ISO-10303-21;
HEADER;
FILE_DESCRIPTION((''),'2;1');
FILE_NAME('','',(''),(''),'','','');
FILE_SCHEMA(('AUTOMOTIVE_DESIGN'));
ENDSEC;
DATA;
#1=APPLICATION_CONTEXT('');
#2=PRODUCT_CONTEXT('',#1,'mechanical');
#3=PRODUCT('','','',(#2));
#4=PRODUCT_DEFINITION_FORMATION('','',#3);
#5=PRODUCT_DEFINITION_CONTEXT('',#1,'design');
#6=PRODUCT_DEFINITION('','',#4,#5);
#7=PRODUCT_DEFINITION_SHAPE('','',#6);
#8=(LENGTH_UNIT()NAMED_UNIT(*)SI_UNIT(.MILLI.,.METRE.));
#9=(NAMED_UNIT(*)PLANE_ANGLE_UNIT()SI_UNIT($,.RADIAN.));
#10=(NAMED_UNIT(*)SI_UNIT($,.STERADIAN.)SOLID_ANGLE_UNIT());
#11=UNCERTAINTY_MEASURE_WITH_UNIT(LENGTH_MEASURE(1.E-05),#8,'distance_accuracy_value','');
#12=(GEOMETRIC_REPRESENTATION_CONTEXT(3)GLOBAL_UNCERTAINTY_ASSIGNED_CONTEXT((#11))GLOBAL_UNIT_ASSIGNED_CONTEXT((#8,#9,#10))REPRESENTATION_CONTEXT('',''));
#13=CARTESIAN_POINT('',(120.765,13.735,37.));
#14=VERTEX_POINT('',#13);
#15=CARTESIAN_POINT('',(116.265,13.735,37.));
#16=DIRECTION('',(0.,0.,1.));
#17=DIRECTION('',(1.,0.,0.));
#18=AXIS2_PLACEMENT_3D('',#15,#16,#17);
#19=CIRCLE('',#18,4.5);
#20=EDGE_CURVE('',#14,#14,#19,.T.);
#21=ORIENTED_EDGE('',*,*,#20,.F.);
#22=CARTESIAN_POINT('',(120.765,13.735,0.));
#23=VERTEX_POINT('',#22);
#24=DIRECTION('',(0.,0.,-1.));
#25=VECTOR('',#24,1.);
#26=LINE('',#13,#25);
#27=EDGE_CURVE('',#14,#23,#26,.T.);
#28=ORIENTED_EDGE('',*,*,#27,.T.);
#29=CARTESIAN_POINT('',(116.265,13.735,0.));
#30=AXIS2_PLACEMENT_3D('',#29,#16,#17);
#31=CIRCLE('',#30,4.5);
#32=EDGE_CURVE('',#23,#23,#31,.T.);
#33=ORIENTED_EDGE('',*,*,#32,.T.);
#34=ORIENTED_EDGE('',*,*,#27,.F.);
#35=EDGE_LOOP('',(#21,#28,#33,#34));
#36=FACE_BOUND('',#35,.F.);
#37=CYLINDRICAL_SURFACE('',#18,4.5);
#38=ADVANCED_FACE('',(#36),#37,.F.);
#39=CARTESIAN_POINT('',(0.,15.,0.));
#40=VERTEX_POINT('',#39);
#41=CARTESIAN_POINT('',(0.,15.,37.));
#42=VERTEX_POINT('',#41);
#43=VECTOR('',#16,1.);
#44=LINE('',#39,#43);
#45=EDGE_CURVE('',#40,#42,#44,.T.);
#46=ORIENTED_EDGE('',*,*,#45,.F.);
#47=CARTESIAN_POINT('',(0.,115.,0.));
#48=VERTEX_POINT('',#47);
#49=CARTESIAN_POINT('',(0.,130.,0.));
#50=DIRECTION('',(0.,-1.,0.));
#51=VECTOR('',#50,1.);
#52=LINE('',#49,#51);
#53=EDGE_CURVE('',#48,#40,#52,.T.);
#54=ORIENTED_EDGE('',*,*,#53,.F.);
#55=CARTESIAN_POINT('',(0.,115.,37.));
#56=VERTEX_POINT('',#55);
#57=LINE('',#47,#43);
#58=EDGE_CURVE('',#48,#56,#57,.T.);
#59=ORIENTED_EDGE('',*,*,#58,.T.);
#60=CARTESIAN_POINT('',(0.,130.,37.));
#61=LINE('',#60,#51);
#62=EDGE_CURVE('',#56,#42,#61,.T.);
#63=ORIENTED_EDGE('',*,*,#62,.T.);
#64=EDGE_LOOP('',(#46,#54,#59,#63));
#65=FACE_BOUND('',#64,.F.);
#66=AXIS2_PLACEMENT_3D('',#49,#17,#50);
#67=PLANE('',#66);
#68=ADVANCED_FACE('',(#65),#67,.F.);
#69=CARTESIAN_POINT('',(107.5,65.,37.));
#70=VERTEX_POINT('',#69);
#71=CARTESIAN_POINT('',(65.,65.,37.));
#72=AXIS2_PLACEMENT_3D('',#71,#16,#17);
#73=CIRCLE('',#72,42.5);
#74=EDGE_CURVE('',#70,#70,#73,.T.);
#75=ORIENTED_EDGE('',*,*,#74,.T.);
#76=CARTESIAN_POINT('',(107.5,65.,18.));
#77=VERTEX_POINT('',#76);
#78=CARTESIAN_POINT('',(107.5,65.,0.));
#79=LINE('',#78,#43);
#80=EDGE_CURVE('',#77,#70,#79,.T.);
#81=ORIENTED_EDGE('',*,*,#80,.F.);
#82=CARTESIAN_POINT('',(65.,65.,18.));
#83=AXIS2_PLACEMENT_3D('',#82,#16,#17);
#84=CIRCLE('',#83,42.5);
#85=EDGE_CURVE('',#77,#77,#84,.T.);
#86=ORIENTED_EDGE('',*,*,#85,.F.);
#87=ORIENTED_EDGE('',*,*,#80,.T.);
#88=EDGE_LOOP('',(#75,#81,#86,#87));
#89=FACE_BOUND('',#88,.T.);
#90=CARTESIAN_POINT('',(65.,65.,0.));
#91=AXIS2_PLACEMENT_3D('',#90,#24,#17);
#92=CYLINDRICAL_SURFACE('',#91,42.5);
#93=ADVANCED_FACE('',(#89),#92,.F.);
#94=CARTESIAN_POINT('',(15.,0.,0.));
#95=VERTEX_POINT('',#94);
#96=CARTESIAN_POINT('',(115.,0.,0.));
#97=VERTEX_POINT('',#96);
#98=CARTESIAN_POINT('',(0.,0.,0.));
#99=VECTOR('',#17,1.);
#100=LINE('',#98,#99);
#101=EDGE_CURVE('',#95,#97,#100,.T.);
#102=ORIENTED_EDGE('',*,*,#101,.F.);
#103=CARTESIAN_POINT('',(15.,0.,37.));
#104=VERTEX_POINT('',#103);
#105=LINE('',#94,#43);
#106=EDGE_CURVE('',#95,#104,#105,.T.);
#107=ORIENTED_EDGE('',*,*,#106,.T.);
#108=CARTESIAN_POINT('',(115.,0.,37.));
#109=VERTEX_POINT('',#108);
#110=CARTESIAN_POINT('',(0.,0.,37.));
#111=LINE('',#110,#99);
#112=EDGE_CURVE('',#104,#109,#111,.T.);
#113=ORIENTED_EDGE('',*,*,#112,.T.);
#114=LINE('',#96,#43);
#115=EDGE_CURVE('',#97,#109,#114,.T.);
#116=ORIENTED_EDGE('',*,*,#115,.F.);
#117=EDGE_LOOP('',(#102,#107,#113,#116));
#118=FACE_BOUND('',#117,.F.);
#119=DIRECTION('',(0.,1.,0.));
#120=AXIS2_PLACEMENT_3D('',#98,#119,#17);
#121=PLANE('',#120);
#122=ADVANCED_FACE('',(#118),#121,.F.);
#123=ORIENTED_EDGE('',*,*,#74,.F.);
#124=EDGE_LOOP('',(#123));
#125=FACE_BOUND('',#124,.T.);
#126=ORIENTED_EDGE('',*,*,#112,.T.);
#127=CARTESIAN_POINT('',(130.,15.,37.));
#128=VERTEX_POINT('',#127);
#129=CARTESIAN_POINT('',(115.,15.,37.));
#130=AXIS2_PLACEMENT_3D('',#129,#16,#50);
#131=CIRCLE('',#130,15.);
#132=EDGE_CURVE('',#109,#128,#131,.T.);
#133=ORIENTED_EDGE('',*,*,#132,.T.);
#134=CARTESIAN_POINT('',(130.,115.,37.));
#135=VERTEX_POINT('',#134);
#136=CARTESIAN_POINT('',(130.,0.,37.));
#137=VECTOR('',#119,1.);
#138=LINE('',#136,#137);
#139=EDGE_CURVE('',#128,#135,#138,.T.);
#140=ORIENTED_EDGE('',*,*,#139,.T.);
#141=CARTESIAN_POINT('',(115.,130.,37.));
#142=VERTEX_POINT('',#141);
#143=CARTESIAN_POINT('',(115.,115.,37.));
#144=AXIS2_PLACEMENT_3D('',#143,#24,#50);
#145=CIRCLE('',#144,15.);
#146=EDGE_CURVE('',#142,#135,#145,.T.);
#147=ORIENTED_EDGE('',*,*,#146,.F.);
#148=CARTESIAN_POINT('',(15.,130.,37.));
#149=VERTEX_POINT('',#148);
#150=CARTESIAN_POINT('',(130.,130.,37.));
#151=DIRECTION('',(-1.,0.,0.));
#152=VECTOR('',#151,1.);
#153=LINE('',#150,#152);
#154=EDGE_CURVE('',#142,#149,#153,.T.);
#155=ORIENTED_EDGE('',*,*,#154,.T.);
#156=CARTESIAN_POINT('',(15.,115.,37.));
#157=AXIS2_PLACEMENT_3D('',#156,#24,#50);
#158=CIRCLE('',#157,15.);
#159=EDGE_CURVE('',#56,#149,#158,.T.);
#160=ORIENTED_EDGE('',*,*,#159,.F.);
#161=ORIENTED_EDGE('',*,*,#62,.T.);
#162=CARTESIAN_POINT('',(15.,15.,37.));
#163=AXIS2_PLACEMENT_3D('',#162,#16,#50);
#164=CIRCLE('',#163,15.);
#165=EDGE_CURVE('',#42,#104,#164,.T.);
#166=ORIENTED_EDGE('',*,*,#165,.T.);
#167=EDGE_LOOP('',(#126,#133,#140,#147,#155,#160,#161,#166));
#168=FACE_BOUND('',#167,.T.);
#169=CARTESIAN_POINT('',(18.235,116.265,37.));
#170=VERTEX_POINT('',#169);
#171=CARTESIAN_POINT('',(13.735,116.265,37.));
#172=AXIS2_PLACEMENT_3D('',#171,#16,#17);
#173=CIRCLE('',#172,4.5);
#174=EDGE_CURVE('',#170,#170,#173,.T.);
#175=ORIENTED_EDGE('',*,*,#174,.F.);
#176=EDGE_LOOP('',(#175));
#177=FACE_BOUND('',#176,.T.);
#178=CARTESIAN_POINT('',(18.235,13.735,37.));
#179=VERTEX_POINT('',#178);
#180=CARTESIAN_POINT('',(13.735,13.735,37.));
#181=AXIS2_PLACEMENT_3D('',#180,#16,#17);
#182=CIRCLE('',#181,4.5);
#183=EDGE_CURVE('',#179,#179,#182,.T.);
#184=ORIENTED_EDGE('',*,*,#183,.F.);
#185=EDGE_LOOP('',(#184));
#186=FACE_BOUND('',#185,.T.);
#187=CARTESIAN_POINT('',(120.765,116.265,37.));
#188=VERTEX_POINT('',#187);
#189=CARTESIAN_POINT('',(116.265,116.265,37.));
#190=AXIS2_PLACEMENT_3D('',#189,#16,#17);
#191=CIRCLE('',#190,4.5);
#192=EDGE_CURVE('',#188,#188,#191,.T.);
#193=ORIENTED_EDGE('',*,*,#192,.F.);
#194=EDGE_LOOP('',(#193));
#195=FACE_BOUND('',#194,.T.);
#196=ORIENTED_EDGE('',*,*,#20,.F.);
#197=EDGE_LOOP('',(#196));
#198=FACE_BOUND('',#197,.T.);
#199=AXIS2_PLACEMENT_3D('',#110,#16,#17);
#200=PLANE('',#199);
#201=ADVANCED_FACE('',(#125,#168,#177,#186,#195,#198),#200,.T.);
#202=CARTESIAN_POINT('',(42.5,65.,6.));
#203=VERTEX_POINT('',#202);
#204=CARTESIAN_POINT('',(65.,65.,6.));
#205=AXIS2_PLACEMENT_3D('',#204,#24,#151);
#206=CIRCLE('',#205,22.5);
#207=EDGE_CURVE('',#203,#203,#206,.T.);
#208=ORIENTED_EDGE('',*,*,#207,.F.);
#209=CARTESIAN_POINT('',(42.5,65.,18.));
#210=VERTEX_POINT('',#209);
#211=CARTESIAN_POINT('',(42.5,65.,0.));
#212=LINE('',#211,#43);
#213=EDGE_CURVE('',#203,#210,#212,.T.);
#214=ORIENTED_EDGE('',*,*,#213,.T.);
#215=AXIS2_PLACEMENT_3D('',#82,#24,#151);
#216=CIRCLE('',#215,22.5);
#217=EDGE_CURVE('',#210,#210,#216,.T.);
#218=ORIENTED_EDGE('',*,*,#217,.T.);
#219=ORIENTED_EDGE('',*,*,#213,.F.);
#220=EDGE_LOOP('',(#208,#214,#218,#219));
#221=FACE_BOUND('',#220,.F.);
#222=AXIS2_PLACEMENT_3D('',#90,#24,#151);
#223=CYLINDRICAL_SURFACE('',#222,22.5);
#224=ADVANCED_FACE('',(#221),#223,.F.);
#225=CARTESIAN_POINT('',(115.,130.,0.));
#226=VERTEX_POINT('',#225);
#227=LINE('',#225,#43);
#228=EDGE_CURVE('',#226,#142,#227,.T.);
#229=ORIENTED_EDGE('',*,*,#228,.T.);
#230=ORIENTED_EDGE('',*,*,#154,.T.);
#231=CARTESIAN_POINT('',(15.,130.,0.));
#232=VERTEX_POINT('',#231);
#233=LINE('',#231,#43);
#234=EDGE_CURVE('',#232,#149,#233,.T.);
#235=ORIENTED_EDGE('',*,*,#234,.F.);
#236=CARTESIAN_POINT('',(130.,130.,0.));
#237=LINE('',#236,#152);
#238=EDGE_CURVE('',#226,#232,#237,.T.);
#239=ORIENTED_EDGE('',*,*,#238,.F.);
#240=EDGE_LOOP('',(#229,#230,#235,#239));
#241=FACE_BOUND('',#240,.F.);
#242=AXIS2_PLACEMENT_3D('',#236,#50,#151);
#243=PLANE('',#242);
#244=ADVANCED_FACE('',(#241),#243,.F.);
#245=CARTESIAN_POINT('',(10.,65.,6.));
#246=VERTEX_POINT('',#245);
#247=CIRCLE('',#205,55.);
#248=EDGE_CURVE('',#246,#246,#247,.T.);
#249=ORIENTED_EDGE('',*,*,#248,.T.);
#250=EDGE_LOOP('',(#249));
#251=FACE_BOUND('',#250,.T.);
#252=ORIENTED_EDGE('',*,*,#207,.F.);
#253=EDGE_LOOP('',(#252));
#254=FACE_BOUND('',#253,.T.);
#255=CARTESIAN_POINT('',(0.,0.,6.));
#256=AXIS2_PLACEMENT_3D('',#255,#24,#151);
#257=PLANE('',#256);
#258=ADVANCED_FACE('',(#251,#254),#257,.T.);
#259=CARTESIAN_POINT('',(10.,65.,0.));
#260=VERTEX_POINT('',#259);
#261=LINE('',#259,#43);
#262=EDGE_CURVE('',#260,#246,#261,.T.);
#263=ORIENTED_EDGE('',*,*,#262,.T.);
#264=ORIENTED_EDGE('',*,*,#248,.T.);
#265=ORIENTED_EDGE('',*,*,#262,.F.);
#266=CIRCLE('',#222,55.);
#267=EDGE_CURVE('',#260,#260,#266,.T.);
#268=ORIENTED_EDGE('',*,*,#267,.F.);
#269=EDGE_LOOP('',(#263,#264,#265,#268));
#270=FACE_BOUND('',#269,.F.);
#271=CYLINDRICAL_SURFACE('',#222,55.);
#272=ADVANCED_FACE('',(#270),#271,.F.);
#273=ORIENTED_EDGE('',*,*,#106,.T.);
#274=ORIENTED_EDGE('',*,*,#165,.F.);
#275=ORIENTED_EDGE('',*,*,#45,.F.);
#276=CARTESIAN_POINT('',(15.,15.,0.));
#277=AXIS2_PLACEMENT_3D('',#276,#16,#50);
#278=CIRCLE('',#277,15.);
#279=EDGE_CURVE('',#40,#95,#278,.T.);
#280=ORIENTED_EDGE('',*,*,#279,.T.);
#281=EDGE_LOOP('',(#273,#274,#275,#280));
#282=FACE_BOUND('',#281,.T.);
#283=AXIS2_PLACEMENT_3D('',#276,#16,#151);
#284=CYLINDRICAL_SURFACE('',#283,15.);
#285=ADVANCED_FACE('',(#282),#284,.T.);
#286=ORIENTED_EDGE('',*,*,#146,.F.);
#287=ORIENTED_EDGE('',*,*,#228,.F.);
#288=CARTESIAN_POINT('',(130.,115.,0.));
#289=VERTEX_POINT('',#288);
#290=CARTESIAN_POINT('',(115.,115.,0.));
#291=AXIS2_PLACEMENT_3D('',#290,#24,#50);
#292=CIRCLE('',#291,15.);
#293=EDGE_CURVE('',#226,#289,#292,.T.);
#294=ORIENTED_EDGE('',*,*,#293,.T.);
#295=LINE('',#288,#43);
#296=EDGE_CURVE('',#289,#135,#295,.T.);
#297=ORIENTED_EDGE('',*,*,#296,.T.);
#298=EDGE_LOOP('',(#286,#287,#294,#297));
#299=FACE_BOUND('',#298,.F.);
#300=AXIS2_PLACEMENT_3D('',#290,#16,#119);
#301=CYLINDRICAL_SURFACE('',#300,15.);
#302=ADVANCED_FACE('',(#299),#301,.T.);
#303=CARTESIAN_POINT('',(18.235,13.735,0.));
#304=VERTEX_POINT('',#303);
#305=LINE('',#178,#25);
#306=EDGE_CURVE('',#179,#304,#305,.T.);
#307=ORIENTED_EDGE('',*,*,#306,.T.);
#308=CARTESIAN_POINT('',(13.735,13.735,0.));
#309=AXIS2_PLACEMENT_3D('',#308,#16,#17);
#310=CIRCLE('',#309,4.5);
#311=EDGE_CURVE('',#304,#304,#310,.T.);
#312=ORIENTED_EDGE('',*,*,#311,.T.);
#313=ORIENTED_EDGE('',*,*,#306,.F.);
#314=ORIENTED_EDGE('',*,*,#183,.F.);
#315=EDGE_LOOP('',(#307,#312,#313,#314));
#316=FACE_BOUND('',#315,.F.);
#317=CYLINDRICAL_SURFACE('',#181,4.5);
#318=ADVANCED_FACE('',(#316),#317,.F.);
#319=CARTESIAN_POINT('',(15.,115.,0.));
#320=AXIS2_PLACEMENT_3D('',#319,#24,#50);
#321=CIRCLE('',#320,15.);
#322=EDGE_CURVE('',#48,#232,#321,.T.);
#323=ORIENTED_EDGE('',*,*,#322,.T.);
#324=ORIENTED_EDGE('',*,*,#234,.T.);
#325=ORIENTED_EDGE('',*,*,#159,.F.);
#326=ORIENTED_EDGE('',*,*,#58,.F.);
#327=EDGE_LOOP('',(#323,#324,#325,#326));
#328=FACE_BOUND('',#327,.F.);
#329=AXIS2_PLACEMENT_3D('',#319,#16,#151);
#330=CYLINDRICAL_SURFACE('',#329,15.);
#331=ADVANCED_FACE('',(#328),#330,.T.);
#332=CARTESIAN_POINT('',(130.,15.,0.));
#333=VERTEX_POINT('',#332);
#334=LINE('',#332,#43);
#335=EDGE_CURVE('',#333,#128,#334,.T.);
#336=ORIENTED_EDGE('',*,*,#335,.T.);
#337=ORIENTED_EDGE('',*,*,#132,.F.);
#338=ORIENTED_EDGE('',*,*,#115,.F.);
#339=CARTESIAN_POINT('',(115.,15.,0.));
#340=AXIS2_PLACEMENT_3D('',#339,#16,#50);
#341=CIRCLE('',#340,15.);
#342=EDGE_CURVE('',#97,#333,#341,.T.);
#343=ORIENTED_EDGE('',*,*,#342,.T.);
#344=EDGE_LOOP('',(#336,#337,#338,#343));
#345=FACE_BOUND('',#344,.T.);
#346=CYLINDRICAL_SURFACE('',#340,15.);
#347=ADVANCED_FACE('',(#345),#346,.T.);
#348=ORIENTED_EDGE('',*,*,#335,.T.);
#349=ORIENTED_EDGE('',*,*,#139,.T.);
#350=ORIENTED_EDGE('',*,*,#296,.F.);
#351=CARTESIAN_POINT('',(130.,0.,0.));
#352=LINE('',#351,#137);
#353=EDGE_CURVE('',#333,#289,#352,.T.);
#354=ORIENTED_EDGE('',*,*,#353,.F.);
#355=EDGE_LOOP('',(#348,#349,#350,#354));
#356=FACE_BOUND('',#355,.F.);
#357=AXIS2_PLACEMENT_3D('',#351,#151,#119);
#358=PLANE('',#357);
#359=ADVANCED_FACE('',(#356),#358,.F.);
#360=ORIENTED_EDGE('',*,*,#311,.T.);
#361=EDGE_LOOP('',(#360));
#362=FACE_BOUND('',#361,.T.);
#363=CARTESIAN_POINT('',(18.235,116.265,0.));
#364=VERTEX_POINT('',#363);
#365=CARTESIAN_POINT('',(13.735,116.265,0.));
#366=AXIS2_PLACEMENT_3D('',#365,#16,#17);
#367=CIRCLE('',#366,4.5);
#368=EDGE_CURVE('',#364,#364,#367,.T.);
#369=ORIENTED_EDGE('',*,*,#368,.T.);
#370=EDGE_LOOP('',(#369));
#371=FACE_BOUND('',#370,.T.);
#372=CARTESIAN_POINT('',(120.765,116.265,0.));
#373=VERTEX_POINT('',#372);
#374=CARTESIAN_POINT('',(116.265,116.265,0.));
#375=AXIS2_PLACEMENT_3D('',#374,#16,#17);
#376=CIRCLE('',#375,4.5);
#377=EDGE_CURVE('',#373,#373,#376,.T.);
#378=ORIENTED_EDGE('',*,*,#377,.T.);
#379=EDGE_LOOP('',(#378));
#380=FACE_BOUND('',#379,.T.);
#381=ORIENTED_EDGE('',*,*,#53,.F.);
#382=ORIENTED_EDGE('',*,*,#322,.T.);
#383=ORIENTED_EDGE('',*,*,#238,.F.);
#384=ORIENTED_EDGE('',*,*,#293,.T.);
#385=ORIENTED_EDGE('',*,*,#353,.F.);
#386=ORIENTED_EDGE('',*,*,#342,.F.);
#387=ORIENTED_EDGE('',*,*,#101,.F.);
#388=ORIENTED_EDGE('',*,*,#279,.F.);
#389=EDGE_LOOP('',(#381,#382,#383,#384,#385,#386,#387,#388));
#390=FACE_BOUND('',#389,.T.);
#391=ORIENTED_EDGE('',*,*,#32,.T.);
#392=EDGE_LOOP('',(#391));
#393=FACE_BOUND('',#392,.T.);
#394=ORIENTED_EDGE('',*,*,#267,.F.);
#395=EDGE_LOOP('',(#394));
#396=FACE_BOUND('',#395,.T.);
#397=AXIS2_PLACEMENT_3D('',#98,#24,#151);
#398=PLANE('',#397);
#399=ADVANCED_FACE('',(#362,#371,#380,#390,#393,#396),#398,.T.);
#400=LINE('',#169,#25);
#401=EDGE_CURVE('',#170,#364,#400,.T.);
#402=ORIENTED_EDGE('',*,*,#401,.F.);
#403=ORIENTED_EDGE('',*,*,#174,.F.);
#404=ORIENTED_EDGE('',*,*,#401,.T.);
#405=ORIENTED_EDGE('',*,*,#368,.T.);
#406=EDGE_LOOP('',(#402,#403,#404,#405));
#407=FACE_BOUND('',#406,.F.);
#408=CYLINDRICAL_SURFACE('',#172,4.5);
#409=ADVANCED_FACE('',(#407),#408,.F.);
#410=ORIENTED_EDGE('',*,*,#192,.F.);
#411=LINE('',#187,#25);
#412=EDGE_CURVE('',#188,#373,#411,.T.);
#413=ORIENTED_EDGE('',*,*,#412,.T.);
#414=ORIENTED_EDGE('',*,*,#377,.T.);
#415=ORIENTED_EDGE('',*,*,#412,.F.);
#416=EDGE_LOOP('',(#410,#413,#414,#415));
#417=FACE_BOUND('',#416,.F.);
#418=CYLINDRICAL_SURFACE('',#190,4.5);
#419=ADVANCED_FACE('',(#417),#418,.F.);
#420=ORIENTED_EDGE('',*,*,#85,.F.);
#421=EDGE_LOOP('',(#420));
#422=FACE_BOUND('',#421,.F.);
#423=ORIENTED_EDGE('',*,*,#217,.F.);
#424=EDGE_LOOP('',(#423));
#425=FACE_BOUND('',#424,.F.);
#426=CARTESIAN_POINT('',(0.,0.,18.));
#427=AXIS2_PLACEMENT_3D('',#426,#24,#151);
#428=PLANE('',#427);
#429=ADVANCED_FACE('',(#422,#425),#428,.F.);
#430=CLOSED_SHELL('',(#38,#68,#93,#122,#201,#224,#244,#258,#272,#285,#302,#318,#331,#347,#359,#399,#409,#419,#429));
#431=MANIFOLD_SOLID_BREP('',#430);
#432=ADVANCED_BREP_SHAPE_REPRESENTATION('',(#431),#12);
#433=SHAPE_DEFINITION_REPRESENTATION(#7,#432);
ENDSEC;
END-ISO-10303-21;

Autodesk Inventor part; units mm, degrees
ref_plane "YZ Plane" through (0, 0, 0) normal (1, 0, 0) x (0, 1, 0)
ref_plane "XZ Plane" through (0, 0, 0) normal (0, 1, 0) x (-1, 0, 0)
ref_plane "XY Plane" through (0, 0, 0) normal (0, 0, 1) x (1, 0, 0)
sketch "Sketch6" plane through (0, 0, 0) normal (0, 0, 1) x (1, 0, 0)
  line L0 (0, 0) -> (130, 0)
  line L1 (130, 0) -> (130, 130)
  line L2 (130, 130) -> (0, 130)
  line L3 (0, 130) -> (0, 0)
  circle A0 centre (65, 65) radius 42.5
  dimension "d28" = 130
  dimension "d29" = 130
  dimension "d30" = 85
  dimension "d31" = 65
  dimension "d32" = 65
extrude "Extrusion6" add sketch "Sketch6" along normal blind 37
sketch "Sketch7" plane through (0, 0, 37) normal (0, 0, 1) x (1, 0, 0)
  circle A0 centre (116.265, 116.265) radius 4.5
  line L0 (130, 0) -> (130, 130) projected
  circle A1 centre (65, 65) radius 42.5 projected
  circle A2 centre (13.735, 116.265) radius 4.5
  circle A3 centre (13.735, 13.735) radius 4.5
  circle A4 centre (116.265, 13.735) radius 4.5
  point P0 (0, 0)
  dimension "d36" = 51.265
  dimension "d37" = 51.265
  dimension "d38" = 9
  dimension "d39" = 9
  dimension "d40" = 9
  dimension "d41" = 9
  dimension "d42" = 51.265
  dimension "d43" = 51.265
  dimension "d44" = 51.265
  dimension "d45" = 51.265
  dimension "d46" = 51.265
  dimension "d47" = 51.265
extrude "Extrusion7" cut sketch "Sketch7" against normal blind 37 contours A0 | A2 | A3 | A4
fillet "Fillet1" radius 15 4 edges at (0, 130, 18.5) (130, 130, 18.5) (130, 0, 18.5) (0, 0, 18.5)
sketch "Sketch9" plane through (0, 0, 0) normal (0, 0, -1) x (-1, 0, 0)
  circle A0 centre (-65, 65) radius 42.5 projected
  circle A1 centre (-65, 65) radius 42.5
  circle A2 centre (-65, 65) radius 22.5
  point P0 (0, 0)
  dimension "d54" = 85
  dimension "d55" = 45
extrude "Extrusion9" add sketch "Sketch9" against normal blind 18
sketch "Sketch10" plane through (0, 0, 0) normal (0, 0, -1) x (-1, 0, 0)
  circle A0 centre (-65, 65) radius 22.5 projected
  circle A1 centre (-65, 65) radius 55
  point P0 (0, 0)
  dimension "d58" = 110
extrude "Extrusion10" cut sketch "Sketch10" against normal blind 6
equation "\"d31\" = 0.5 * d28"
equation "\"d32\" = 0.5 * d29"
equation "\"d42\" = d36"
equation "\"d43\" = d36"
equation "\"d44\" = d36"
equation "\"d45\" = d36"
equation "\"d46\" = d36"
equation "\"d47\" = d36"
properties part number "EndEffectorMotorAdapter"
